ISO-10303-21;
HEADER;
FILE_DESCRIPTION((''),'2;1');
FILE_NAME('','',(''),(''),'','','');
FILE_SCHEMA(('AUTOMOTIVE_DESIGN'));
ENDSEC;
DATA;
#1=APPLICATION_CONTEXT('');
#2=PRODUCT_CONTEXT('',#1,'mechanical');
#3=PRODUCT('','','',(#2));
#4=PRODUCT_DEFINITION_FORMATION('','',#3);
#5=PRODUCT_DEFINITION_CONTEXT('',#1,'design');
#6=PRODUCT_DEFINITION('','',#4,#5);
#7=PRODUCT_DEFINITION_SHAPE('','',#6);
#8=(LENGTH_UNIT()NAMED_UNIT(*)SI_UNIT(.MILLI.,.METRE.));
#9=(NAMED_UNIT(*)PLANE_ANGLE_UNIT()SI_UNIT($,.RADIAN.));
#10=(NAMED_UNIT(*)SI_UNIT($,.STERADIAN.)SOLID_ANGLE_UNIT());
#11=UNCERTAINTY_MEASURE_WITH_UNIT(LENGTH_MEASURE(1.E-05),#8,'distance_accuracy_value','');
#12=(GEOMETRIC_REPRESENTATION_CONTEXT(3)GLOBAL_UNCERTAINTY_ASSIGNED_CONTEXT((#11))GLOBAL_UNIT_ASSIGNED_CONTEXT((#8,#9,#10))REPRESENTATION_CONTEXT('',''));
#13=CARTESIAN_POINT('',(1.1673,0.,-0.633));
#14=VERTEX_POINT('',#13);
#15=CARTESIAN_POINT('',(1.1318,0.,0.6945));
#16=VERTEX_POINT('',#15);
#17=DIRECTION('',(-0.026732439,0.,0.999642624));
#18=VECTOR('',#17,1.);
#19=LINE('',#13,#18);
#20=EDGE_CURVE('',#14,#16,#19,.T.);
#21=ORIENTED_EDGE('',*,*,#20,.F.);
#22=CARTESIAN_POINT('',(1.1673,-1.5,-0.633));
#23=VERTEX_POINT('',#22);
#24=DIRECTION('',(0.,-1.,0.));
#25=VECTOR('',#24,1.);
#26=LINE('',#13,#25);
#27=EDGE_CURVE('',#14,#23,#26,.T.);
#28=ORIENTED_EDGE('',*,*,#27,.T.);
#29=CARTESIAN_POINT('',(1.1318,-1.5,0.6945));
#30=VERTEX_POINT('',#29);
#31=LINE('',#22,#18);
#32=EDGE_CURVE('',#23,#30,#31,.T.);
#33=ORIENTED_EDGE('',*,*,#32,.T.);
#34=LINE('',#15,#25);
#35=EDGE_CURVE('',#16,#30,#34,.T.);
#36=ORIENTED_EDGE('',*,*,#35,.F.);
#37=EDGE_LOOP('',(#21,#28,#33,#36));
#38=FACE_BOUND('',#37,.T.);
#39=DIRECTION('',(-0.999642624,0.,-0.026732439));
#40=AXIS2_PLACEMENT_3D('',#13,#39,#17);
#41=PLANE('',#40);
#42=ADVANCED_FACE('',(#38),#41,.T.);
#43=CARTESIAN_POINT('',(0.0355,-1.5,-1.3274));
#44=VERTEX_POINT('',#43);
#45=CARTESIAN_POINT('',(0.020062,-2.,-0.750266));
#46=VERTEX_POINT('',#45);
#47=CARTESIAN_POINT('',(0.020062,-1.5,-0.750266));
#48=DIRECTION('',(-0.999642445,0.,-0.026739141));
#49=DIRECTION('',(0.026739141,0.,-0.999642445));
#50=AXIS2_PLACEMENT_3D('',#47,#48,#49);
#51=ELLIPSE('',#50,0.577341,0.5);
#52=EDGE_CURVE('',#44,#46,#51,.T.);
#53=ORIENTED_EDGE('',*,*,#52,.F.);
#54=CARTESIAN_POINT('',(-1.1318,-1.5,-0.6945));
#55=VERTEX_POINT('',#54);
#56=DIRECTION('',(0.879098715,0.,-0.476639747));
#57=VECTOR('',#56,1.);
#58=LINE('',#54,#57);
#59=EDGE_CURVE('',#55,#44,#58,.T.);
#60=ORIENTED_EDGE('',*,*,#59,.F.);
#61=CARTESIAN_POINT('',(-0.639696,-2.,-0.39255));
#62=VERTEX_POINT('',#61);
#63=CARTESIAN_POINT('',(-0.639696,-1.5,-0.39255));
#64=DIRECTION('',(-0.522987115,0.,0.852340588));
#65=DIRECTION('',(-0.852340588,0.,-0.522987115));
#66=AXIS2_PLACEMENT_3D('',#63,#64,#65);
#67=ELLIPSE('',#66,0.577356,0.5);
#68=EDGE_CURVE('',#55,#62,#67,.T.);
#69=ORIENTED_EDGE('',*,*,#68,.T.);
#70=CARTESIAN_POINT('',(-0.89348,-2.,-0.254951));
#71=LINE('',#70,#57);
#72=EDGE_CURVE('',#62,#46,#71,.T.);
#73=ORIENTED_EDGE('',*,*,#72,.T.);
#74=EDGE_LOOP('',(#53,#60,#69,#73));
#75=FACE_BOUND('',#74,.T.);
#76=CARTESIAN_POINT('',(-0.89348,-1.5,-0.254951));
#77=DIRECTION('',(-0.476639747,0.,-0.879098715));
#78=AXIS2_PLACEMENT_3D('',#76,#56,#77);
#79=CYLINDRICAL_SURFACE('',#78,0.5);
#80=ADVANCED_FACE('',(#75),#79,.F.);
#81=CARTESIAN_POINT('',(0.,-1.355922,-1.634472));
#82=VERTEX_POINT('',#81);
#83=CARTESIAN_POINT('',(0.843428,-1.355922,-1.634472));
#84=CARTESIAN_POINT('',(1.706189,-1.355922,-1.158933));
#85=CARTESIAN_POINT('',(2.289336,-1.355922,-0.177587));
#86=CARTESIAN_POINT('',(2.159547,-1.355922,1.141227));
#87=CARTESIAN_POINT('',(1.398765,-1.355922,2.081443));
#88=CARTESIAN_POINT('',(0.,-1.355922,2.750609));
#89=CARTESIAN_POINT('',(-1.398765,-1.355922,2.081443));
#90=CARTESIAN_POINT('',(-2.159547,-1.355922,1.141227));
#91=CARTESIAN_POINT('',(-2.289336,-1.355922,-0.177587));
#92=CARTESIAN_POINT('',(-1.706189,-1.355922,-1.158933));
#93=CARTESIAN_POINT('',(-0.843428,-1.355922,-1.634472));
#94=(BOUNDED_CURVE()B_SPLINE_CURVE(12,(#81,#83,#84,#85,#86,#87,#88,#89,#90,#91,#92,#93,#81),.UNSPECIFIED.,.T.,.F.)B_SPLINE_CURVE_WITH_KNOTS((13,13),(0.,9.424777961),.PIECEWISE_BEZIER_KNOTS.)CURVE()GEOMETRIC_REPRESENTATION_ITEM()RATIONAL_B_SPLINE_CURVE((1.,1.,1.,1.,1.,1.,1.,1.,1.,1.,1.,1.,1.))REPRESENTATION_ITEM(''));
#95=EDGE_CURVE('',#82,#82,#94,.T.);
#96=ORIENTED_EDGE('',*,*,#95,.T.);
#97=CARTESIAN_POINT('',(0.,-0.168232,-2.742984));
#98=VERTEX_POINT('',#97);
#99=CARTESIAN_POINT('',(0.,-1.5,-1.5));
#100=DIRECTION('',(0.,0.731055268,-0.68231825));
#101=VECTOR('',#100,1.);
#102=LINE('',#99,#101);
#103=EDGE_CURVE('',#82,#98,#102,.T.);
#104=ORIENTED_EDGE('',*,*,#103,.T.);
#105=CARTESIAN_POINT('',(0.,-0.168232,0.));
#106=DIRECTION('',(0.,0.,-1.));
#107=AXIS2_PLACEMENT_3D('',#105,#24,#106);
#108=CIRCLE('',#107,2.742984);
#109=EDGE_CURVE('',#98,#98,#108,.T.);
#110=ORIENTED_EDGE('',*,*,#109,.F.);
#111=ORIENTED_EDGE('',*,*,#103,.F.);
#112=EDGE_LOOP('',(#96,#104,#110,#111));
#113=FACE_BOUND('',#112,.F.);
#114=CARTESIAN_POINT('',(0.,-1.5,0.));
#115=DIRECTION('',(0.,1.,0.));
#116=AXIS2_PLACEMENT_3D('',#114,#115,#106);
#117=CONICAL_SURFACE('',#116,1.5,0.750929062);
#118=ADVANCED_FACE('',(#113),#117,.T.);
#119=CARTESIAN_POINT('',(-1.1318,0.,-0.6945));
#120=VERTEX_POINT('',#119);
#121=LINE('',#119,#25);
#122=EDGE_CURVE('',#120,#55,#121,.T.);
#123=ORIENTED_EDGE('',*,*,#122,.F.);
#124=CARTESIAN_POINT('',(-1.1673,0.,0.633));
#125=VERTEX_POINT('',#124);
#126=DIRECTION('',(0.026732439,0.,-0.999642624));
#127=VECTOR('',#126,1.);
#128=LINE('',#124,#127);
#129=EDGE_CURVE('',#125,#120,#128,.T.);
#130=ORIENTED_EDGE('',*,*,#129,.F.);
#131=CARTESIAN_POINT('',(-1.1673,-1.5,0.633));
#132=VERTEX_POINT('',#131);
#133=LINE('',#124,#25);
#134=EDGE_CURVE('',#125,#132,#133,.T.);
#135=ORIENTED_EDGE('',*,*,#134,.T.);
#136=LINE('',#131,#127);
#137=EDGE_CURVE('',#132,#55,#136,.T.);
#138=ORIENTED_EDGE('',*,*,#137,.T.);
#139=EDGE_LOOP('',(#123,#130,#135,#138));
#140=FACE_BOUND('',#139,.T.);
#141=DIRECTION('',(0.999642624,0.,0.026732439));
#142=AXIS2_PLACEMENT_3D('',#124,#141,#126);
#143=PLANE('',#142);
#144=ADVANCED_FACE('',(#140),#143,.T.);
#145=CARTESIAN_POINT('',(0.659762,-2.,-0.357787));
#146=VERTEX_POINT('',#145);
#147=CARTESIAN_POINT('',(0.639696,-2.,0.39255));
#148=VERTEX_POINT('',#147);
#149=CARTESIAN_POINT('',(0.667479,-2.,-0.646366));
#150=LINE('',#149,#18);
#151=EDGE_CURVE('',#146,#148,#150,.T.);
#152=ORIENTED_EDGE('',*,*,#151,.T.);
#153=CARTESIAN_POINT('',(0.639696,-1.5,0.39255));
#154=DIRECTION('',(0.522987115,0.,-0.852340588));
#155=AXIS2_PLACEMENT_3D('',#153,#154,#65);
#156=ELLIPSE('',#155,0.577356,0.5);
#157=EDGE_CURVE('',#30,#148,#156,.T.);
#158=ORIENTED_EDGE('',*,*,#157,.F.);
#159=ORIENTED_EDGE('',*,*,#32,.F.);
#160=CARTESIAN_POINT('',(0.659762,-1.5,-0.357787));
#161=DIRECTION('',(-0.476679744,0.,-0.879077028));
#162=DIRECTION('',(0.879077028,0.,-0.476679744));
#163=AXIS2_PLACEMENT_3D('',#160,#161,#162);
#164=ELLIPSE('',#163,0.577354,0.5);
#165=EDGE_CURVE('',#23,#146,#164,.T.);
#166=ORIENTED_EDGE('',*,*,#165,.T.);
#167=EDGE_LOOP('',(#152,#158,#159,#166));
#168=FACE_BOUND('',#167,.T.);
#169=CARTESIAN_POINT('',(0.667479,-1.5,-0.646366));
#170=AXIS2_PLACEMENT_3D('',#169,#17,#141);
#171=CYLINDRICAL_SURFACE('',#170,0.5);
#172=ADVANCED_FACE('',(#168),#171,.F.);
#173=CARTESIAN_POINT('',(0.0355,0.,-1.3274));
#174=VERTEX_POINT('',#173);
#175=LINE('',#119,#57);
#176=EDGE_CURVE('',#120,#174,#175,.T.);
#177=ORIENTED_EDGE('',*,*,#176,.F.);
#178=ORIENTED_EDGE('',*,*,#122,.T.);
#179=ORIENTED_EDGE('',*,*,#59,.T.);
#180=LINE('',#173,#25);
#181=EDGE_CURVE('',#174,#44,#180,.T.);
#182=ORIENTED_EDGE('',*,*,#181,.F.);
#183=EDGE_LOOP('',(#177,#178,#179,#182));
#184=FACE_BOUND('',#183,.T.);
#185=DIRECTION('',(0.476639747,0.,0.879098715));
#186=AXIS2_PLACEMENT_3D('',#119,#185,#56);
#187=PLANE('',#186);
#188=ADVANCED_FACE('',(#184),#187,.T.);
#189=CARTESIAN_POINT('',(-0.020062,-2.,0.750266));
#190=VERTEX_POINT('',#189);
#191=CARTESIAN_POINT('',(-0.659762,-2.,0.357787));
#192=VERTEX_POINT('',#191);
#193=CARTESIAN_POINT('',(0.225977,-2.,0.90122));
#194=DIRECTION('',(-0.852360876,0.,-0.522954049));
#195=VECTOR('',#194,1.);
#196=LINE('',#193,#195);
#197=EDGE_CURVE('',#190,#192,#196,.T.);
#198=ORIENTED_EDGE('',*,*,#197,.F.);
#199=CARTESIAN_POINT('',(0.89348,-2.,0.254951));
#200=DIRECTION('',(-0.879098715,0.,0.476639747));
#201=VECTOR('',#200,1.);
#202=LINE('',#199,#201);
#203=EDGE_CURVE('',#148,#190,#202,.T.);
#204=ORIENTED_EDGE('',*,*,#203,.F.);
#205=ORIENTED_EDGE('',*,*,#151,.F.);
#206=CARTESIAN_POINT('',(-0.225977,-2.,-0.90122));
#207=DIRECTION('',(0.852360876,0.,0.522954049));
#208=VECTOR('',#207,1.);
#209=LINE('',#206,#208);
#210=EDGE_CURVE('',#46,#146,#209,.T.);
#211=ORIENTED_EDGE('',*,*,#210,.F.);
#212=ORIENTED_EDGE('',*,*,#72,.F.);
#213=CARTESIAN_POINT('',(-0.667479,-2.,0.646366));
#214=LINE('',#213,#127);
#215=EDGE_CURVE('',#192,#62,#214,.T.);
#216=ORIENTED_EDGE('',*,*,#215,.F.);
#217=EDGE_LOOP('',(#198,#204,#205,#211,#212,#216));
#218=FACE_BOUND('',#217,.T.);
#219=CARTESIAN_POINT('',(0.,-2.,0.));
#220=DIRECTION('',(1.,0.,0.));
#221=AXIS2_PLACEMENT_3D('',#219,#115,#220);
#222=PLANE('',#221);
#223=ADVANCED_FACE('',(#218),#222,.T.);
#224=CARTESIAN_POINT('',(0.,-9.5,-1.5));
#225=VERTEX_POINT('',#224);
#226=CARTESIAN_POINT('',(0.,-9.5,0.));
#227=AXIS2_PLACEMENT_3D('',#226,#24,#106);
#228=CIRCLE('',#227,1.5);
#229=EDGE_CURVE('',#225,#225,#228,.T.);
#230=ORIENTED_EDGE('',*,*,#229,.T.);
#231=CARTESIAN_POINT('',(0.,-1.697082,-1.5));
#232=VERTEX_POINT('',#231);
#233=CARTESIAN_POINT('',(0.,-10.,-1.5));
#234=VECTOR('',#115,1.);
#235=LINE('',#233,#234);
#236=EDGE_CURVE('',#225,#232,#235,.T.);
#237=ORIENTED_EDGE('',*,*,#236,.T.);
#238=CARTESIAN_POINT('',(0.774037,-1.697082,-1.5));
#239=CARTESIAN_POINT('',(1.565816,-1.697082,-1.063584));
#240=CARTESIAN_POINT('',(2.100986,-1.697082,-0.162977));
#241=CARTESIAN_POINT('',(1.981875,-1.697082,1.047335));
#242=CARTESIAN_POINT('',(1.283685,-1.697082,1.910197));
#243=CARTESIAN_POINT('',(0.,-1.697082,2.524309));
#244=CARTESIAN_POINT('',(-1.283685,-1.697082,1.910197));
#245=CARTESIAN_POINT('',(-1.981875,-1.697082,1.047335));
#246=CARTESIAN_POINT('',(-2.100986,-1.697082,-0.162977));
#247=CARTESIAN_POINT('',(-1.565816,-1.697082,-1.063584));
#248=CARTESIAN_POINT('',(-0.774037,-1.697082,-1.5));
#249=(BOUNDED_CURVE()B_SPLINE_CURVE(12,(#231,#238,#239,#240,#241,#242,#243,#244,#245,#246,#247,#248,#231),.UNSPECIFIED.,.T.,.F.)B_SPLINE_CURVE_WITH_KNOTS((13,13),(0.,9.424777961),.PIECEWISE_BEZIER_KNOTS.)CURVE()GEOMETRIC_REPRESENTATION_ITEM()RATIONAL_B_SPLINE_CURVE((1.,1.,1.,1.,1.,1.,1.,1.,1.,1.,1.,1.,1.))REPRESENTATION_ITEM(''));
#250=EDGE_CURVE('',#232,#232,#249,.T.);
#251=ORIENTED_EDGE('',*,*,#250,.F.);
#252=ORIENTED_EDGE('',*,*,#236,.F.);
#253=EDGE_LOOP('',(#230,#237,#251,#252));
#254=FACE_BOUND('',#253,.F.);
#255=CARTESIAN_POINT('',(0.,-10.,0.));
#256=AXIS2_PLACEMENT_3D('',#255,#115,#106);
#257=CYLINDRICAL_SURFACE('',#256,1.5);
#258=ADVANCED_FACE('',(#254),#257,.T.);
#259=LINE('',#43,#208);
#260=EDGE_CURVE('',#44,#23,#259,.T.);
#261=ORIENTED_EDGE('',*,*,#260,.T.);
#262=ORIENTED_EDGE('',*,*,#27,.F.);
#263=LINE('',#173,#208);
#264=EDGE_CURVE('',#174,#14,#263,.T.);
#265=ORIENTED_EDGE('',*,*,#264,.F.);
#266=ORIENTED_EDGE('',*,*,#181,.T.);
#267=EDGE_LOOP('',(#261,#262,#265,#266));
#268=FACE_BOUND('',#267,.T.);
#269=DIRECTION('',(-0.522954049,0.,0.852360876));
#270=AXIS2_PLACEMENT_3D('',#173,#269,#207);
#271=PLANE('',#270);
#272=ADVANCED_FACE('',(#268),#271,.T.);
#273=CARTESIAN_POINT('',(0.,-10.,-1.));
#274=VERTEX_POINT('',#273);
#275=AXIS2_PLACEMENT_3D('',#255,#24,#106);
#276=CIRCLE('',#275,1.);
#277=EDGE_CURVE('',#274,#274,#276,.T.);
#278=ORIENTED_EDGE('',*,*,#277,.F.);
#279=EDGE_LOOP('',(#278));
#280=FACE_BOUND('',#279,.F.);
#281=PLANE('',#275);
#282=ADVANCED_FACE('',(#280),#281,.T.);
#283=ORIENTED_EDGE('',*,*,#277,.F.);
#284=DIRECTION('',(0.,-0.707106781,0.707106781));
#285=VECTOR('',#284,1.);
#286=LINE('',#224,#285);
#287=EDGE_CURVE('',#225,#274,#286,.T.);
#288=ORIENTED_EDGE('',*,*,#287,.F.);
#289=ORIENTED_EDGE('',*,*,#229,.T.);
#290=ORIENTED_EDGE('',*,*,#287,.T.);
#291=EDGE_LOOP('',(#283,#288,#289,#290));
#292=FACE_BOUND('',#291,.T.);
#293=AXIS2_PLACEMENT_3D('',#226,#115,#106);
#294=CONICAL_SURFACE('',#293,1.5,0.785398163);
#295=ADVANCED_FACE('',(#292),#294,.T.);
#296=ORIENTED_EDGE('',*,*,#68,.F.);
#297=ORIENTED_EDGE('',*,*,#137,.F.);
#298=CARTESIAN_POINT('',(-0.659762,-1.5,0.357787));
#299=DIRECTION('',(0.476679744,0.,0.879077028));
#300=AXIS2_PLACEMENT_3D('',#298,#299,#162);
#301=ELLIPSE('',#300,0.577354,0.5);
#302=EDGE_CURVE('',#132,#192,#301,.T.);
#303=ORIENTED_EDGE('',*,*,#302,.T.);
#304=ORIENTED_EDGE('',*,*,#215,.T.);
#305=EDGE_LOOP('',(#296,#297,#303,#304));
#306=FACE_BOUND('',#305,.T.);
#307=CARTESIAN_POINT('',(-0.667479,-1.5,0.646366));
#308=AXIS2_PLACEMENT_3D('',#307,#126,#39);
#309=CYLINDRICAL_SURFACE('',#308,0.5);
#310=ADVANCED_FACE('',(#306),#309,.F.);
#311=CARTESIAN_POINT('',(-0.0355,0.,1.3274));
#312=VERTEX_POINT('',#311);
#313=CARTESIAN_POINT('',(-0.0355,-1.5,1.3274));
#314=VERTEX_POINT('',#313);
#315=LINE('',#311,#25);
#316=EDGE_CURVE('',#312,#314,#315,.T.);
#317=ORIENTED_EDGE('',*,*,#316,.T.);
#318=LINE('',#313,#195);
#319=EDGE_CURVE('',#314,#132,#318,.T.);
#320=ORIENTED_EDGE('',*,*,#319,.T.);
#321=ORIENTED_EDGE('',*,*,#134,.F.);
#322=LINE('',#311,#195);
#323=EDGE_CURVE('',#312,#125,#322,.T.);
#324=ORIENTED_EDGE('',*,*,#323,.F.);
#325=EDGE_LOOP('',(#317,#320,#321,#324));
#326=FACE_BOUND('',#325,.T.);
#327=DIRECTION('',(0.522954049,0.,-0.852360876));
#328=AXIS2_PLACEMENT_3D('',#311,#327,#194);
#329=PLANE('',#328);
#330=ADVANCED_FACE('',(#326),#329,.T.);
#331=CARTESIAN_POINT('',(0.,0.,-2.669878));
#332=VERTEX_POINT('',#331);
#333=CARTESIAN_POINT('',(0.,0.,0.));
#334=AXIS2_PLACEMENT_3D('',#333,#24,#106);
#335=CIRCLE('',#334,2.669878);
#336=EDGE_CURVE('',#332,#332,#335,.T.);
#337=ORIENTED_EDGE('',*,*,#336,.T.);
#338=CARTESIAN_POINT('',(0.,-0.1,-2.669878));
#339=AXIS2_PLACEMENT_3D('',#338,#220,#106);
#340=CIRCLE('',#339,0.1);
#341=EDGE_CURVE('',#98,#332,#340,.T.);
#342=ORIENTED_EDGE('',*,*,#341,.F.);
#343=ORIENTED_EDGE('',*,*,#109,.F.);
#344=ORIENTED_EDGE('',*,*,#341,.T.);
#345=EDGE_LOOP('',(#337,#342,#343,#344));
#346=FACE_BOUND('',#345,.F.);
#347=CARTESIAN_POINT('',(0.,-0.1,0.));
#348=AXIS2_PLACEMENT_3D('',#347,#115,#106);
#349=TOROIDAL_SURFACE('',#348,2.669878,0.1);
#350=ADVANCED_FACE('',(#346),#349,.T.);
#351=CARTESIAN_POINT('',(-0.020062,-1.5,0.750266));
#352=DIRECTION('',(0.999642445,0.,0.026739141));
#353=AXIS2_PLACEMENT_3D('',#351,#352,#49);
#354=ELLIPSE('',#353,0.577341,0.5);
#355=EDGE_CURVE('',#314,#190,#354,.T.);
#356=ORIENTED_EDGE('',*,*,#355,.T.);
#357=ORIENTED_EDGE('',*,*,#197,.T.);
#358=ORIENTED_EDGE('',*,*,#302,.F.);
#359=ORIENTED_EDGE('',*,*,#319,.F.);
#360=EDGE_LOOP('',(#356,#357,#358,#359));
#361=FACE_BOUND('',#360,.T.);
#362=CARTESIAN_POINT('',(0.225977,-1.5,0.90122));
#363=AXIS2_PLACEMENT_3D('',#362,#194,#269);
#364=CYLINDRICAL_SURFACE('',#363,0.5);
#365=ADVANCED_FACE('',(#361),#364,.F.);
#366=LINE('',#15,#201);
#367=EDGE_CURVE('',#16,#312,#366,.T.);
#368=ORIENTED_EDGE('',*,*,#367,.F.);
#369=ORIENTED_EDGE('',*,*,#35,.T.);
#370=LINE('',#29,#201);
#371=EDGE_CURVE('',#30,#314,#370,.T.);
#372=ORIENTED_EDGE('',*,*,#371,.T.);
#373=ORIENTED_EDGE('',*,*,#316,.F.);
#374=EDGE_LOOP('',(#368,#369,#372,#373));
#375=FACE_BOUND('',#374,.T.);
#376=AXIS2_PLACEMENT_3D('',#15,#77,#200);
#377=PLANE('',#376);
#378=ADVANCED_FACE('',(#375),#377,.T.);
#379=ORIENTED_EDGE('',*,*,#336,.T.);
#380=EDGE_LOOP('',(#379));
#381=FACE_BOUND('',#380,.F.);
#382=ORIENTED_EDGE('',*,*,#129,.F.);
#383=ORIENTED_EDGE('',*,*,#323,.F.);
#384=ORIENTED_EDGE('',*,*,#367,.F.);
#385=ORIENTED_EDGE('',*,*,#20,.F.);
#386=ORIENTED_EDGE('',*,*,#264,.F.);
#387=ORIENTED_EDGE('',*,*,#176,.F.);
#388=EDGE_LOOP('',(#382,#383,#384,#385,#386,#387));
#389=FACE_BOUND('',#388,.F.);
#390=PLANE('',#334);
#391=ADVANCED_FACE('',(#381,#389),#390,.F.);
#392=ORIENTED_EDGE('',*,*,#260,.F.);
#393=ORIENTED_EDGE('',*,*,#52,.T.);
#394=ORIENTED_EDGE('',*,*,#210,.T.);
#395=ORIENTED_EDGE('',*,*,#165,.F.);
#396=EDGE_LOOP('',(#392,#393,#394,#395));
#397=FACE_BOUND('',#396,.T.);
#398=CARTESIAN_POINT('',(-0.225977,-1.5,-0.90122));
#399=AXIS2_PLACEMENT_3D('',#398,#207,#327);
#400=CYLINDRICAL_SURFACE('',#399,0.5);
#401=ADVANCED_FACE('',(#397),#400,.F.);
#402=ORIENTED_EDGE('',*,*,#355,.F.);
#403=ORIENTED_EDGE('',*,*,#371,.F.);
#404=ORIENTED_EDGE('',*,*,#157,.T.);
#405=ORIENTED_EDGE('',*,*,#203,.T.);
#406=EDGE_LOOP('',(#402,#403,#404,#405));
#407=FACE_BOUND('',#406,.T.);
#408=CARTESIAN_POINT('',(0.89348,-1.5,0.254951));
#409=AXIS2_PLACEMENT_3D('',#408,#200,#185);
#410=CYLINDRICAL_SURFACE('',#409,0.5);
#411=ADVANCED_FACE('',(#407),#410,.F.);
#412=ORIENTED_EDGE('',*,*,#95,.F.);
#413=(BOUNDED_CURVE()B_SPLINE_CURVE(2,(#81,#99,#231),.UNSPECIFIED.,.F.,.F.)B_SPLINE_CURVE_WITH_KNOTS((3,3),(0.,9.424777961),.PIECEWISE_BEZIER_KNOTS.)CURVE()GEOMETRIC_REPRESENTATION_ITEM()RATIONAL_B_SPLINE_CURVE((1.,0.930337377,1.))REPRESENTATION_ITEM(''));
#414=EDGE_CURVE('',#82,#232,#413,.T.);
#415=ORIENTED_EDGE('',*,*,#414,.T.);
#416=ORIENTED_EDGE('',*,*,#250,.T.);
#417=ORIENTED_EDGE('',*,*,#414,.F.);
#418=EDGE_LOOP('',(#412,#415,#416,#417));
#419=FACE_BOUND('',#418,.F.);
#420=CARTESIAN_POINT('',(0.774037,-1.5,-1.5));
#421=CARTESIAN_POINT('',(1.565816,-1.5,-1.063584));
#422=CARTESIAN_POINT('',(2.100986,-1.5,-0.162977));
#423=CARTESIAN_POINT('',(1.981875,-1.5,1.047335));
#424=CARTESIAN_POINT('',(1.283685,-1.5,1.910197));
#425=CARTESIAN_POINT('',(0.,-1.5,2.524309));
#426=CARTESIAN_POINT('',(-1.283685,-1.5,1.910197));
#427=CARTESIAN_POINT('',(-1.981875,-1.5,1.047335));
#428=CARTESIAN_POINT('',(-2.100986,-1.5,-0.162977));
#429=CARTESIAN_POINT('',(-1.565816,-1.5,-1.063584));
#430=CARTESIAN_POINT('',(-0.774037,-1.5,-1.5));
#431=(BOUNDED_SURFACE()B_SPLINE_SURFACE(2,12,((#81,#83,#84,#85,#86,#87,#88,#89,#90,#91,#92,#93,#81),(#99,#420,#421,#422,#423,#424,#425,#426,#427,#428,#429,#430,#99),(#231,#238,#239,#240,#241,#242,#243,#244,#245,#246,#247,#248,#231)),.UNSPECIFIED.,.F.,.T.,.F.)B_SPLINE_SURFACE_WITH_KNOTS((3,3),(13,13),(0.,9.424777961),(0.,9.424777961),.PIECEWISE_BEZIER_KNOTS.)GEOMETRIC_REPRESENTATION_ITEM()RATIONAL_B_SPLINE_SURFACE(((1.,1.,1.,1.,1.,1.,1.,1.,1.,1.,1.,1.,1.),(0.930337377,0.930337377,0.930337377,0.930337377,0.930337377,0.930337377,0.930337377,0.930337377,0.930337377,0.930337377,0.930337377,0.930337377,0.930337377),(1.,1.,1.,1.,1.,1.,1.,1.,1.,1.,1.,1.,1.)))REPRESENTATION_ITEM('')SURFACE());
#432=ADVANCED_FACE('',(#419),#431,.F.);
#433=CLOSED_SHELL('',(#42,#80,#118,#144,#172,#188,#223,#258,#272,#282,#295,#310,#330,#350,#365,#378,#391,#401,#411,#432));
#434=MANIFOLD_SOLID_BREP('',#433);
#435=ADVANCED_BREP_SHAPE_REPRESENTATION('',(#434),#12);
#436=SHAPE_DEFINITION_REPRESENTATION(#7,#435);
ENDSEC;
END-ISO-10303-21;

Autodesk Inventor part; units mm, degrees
ref_plane "YZ Plane" through (0, 0, 0) normal (1, 0, 0) x (0, 1, 0)
ref_plane "XZ Plane" through (0, 0, 0) normal (0, 1, 0) x (-1, 0, 0)
ref_plane "XY Plane" through (0, 0, 0) normal (0, 0, 1) x (1, 0, 0)
sketch "Szkic2" plane through (0, 0, 0) normal (1, 0, 0) x (0, 1, 0)
  line L0 (0, -2.9) -> (0, 2.9)
  line L1 (-1.5, -1.5) -> (-1.5, 1.5)
  line L2 (-1.5, -1.5) -> (0, -2.9)
  line L3 (-1.5, 1.5) -> (0, 2.9)
  line L4 (0, 0) -> (-10, 0)
  line L5 (-10, 0) -> (-10, -1.5)
  line L6 (-10, -1.5) -> (-1.5, -1.5)
  dimension "d0" = 5.8
  dimension "d2" = 3
  dimension "d3" = 1.5
  dimension "d4" = 10
  dimension "d5" = 1.5
revolve "Obrót1" add sketch "Szkic2" angle 360 about axis through (0, 0, 0) along (0, -1, 0) contours L2 L1 L4 L0 | L6 L5 L4 L1
sketch "Szkic3" plane through (0, 0, 0) normal (0, 1, 0) x (1, 0, 0)
  line L0 (-1.1673, -0.633) -> (-1.1318, 0.6945)
  line L1 (-1.1318, 0.6945) -> (0.0355, 1.3274)
  line L2 (0.0355, 1.3274) -> (1.1673, 0.633)
  line L3 (1.1673, 0.633) -> (1.1318, -0.6945)
  line L4 (1.1318, -0.6945) -> (-0.0355, -1.3274)
  line L5 (-0.0355, -1.3274) -> (-1.1673, -0.633)
  point P0 (0, 0)
  point P1 (0, 0)
  dimension "d7" = 2.3
extrude "Wyciągnięcie proste1" cut sketch "Szkic3" against normal blind 2
fillet "Zaokrąglenie1" radius 0.5 6 edges at (-1.1496, -2, -0.0308) (-0.6014, -2, 0.9802) (-0.5482, -2, -1.011) (0.6014, -2, -0.9802) (0.5482, -2, 1.011) (1.1496, -2, 0.0308)
fillet "Zaokrąglenie2" radius 0.5 1 edges at (0, -1.5, 1.5)
fillet "Zaokrąglenie3" radius 0.1 1 edges at (0, 0, 2.9)
thread "Gwint1" size "M3x0.5" class "6g" standard "ANSI Metric M Profile" full length
chamfer "Faza1" distance 0.5 angle 45 1 edges at (0, -10, 1.5)
properties part number "Screw M3 10mm flat head"
